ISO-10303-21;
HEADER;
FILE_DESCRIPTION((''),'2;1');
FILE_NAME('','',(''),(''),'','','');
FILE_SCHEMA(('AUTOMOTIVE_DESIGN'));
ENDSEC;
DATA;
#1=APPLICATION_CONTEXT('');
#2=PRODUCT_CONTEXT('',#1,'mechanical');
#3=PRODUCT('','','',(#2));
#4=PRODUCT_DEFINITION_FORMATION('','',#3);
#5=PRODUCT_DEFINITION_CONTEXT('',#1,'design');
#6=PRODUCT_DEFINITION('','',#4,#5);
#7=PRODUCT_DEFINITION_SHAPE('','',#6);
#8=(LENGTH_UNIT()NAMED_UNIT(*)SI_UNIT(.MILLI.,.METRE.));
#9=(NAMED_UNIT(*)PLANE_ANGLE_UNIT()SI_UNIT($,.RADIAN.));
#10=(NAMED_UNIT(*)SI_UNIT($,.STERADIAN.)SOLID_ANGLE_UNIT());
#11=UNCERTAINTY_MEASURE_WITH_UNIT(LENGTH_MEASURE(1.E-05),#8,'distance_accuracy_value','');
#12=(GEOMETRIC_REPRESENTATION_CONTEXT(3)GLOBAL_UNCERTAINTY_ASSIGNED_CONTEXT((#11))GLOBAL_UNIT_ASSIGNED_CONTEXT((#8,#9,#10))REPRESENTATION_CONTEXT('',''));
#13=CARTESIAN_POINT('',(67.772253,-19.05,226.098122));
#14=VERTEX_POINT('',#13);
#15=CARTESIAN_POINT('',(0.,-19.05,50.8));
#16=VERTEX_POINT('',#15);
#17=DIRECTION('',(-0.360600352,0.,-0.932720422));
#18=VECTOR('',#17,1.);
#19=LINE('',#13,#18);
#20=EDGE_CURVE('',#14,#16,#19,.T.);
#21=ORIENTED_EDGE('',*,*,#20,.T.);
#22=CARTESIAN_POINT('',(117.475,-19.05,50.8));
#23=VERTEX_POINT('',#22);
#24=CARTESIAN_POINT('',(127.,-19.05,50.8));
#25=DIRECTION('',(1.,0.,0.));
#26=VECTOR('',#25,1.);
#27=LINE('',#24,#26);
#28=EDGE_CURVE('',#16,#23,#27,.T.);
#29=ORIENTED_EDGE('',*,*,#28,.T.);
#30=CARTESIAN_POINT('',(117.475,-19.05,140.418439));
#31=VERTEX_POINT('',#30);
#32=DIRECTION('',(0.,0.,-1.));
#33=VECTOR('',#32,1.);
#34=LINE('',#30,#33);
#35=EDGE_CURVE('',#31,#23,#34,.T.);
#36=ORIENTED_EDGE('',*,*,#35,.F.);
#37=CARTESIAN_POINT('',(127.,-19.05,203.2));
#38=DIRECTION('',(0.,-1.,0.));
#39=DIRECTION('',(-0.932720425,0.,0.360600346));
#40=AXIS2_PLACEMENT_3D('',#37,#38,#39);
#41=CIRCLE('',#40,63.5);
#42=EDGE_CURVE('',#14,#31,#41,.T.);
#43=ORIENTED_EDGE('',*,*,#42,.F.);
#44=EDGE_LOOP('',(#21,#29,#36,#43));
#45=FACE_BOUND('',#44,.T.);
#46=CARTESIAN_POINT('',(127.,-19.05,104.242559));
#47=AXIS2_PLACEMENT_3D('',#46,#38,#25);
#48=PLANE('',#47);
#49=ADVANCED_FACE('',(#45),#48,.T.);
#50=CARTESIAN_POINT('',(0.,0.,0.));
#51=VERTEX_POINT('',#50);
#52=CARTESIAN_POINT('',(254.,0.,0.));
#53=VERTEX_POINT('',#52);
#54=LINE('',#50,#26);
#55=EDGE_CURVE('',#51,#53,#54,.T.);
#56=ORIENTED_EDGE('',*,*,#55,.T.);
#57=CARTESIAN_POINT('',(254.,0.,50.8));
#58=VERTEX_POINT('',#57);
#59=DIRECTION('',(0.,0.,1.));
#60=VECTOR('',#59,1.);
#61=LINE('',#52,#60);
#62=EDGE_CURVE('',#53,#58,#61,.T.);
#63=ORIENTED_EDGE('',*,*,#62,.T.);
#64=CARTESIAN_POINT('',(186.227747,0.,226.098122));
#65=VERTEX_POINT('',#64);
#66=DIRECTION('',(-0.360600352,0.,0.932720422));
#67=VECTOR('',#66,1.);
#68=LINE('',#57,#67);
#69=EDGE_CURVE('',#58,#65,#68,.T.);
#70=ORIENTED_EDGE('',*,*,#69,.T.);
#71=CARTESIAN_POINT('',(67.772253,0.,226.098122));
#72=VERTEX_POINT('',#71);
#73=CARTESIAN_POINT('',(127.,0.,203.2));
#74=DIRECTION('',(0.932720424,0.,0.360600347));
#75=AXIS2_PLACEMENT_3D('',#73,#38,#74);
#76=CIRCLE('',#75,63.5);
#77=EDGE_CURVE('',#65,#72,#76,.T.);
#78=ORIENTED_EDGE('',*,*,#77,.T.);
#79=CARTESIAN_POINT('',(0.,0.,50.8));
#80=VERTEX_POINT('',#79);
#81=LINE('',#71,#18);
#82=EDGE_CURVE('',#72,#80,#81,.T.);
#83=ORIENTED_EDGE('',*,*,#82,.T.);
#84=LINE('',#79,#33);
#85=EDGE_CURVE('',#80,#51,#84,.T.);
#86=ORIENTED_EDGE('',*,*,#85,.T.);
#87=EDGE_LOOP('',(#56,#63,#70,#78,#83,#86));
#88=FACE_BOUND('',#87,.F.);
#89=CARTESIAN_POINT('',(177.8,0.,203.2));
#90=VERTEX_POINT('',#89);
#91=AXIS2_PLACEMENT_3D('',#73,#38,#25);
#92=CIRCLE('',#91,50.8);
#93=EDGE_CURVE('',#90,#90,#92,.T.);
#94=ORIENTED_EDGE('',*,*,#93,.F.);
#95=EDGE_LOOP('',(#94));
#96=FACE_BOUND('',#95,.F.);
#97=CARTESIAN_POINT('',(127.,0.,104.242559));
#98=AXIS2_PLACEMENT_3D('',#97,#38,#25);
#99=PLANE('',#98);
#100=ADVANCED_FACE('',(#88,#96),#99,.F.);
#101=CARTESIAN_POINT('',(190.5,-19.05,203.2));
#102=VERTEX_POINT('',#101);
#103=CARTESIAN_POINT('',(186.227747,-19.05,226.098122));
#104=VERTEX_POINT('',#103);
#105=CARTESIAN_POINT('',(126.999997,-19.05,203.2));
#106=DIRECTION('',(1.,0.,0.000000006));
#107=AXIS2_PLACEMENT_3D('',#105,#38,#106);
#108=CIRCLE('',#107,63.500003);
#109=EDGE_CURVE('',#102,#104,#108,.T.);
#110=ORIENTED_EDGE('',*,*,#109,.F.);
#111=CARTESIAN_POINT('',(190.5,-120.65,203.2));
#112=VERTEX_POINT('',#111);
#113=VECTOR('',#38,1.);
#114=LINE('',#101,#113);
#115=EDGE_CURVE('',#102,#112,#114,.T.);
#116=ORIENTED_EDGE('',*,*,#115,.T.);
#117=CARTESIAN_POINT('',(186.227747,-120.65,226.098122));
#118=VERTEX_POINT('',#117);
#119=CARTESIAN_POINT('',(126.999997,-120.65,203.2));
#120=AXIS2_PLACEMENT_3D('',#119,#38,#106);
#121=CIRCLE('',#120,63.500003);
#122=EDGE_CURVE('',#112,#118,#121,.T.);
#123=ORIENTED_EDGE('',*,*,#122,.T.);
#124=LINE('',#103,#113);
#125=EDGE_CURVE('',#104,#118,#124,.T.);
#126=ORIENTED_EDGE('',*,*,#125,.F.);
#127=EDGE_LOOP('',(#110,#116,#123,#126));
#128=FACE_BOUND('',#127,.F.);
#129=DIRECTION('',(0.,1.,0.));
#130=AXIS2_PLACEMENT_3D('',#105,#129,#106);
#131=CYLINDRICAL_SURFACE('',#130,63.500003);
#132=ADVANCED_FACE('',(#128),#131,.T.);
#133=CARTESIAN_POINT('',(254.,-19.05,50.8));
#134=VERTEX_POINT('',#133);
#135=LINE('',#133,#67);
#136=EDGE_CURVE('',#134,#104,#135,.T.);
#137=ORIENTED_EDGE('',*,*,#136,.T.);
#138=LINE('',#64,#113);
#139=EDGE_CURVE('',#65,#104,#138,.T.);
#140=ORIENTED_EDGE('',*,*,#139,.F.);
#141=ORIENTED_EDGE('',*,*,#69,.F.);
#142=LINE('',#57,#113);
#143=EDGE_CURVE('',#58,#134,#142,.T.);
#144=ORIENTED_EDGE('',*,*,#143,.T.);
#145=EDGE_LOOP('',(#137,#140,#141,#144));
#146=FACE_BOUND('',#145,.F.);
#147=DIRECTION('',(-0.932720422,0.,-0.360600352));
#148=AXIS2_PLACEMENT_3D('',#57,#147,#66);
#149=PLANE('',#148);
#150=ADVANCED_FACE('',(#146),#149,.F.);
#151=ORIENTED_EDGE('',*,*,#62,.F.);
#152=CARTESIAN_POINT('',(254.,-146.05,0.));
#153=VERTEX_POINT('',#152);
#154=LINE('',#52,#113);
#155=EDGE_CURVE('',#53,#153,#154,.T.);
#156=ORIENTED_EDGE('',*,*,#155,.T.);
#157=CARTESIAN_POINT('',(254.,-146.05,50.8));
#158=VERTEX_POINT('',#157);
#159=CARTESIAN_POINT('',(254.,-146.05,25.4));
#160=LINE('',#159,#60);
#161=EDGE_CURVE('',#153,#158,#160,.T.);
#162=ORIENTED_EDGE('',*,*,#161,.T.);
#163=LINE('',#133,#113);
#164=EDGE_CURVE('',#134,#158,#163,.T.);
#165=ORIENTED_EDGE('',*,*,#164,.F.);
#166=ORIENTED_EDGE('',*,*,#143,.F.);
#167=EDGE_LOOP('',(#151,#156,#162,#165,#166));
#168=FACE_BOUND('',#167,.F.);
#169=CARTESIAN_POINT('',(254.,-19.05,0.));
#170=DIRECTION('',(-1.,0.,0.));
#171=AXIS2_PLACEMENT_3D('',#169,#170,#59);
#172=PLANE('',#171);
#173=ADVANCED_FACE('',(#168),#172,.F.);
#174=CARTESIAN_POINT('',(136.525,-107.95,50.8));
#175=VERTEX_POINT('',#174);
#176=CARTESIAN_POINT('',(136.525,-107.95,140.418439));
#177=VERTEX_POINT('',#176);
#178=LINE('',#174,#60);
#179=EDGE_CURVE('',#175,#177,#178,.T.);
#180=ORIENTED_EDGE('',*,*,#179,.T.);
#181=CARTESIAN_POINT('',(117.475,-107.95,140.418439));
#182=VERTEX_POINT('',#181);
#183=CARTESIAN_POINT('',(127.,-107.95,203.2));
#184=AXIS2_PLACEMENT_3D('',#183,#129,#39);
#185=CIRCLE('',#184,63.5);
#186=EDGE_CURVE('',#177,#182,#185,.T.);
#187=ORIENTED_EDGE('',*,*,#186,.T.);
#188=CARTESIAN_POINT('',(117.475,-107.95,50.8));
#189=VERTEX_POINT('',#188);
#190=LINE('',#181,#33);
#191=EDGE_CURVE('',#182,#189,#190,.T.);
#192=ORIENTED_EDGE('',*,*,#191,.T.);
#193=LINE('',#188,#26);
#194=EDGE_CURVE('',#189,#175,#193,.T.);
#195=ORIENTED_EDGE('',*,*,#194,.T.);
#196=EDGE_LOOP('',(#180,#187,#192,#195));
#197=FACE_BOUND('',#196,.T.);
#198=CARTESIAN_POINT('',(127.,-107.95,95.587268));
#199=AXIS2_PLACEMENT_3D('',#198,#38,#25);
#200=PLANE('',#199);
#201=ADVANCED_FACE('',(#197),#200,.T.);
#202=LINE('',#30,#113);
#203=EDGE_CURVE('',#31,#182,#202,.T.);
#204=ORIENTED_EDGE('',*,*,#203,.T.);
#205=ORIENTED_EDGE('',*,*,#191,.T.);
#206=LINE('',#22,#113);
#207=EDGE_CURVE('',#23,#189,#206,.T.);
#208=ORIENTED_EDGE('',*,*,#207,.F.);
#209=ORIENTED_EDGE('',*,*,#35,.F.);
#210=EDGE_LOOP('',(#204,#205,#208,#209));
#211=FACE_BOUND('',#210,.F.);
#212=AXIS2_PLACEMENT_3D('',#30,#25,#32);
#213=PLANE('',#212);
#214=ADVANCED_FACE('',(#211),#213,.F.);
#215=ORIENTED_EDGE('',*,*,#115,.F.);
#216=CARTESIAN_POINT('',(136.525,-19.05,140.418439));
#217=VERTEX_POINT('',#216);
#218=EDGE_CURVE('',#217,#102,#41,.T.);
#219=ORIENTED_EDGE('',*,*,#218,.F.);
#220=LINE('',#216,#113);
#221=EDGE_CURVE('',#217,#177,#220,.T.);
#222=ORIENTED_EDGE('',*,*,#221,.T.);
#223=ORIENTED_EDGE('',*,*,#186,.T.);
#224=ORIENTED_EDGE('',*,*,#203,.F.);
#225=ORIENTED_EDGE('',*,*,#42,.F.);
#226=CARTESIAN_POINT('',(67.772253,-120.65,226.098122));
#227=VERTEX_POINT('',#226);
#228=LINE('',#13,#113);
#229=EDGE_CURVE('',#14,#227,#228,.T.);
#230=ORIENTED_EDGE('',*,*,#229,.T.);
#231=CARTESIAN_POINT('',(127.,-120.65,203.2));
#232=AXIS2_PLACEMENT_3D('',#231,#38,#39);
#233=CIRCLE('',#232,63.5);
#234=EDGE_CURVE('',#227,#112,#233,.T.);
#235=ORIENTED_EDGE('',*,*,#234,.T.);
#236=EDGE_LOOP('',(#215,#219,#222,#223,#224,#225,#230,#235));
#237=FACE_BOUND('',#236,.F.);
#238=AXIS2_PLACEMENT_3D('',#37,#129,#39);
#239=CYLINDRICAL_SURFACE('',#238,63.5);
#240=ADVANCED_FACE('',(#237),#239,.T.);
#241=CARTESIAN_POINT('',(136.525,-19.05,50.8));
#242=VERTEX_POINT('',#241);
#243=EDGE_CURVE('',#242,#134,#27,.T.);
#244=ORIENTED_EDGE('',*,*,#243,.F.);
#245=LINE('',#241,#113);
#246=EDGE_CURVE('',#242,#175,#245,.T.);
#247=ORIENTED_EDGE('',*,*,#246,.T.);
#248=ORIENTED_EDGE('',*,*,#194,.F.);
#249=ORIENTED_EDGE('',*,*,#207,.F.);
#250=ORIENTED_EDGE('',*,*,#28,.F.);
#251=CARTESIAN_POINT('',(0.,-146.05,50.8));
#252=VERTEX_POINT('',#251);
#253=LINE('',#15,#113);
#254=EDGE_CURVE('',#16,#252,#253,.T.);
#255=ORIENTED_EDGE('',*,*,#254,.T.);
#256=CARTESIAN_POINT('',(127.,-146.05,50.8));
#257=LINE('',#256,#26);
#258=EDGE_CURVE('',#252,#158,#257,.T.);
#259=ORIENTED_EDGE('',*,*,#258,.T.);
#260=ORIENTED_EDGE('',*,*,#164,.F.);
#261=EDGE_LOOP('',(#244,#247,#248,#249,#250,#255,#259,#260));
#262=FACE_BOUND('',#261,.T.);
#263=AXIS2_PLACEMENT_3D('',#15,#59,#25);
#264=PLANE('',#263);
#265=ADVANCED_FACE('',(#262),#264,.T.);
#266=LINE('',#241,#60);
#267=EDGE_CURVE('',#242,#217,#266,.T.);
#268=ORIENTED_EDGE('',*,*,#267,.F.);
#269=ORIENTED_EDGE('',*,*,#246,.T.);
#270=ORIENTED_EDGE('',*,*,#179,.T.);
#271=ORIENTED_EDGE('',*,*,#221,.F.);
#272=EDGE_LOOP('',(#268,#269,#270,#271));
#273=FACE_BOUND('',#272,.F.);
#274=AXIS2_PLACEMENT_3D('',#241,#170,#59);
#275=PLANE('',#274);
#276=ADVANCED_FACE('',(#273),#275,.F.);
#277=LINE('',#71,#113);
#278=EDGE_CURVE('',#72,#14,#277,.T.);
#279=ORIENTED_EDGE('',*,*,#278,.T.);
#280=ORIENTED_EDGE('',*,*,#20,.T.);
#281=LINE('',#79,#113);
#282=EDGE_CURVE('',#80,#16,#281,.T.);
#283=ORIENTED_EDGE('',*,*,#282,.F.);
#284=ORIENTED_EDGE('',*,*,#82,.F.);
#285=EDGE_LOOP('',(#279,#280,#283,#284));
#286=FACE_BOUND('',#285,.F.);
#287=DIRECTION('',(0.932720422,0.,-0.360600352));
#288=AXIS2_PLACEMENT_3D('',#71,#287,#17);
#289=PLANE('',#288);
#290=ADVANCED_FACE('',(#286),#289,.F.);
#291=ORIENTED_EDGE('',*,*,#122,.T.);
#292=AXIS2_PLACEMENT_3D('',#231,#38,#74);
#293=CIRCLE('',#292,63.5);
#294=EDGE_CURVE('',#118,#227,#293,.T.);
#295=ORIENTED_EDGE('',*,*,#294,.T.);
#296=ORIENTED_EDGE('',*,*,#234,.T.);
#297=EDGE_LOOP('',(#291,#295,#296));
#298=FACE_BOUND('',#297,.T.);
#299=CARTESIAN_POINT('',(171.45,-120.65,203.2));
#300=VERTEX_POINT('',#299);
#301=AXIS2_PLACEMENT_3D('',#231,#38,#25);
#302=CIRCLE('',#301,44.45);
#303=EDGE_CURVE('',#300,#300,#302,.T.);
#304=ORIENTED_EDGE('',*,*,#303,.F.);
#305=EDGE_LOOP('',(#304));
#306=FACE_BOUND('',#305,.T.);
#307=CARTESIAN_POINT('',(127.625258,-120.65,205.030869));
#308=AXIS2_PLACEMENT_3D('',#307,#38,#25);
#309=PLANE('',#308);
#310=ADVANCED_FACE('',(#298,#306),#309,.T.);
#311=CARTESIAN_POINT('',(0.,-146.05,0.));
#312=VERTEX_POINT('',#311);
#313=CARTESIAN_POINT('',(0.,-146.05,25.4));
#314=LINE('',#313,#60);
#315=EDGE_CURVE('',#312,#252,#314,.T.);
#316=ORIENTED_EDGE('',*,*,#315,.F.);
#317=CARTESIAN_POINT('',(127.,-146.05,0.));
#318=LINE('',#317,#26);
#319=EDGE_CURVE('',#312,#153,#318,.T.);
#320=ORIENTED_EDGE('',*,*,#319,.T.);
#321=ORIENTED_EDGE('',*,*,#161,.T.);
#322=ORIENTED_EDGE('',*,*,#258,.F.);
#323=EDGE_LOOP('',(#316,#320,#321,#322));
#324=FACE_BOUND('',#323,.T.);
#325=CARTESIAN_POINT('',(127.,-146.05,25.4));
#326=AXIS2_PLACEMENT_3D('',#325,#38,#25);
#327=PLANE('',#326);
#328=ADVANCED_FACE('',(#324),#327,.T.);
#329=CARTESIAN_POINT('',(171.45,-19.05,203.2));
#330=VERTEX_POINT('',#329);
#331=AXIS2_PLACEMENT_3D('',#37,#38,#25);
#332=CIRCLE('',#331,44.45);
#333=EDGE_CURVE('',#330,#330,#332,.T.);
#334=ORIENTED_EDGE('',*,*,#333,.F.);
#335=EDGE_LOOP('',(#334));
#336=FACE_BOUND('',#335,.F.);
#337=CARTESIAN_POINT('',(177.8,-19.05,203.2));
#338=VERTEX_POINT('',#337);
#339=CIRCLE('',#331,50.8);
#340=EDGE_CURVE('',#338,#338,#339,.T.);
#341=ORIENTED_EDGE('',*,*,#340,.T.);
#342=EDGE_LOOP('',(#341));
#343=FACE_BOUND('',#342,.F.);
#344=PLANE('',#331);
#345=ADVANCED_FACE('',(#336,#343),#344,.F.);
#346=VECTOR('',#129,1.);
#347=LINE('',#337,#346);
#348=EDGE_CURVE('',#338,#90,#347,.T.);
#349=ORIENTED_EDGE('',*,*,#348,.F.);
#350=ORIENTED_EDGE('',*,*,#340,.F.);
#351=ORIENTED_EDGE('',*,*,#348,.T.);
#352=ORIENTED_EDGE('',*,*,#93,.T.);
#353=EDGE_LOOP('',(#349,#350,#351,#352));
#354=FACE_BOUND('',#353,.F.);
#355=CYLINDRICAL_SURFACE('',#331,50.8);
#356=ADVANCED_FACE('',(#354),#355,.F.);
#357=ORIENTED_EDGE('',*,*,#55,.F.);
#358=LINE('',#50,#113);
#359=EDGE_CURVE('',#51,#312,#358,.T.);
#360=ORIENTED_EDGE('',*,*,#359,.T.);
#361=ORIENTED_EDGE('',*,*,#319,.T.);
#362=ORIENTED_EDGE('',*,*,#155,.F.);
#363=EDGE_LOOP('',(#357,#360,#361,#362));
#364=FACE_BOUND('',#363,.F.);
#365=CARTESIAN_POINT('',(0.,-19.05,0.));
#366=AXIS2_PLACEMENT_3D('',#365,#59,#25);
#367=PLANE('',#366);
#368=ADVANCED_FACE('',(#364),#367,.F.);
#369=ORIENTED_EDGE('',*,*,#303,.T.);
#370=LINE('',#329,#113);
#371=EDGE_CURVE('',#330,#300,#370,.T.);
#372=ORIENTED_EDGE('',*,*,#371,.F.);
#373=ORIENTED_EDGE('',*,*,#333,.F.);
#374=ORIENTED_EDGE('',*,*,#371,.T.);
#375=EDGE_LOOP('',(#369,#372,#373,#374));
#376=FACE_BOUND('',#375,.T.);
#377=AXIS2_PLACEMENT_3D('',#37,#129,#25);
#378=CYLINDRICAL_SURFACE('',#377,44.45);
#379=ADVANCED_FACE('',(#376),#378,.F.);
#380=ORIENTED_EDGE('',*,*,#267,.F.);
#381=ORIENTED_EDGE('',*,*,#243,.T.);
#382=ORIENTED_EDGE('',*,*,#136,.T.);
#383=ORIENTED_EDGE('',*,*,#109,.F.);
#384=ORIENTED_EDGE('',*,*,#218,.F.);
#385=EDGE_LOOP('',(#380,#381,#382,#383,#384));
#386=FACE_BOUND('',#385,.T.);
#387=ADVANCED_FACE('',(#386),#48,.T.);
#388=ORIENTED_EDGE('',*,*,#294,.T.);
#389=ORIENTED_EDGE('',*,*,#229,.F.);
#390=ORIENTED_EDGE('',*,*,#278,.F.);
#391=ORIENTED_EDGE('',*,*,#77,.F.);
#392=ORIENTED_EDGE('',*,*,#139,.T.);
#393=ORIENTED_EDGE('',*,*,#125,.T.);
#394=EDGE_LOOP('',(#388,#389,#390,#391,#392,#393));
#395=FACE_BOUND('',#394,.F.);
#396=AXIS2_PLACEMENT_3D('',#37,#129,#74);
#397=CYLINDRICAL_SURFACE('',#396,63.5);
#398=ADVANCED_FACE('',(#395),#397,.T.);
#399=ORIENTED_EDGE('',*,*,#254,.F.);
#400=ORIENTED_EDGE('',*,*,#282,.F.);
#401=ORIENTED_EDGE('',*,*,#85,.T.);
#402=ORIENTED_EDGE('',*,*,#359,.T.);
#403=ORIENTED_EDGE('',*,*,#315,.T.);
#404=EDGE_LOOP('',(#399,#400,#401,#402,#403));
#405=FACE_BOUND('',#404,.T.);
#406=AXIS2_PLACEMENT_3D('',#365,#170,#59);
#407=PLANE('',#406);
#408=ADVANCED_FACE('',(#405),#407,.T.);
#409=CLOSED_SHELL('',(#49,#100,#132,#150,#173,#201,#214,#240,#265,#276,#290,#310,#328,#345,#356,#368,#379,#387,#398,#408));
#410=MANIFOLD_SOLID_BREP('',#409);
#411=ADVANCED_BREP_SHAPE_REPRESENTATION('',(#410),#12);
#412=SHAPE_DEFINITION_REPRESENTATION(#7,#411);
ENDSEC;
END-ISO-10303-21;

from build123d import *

# Parameters (mm, degrees)
F1_DEPTH = 19.05
F2_R     = 44.45
F3_DEPTH = 101.6
F4_W     = 254
F4_H     = 50.8
F5_DEPTH = 127
F7_DEPTH = 88.9
F8_R     = 50.8
F9_DEPTH = 19.051


with BuildPart() as f1:
    # F0 (on Front) → F1 (new body)
    with BuildSketch(Plane.XZ):
        with BuildLine():
            Line((0, 50.8), (0, 0))
            Line((0, 0), (254, 0))
            Line((254, 0), (254, 50.8))
            Line((254, 50.8), (186.227747, 226.098122))
            ThreePointArc((186.227747, 226.098122), (127, 266.7), (67.772253, 226.098122))
            Line((67.772253, 226.098122), (0, 50.8))
        make_face()
    extrude(amount=F1_DEPTH)

    # F2 (on face) → F3 (join)
    with BuildSketch(Plane.XZ.offset(19.05)):
        with BuildLine():
            ThreePointArc((67.772253, 226.098122), (115.353368, 140.7772), (190.5, 203.2))
            ThreePointArc((190.5, 203.2), (189.4228, 214.846632), (186.227747, 226.098122))
            ThreePointArc((186.227747, 226.098122), (127, 266.7), (67.772253, 226.098122))
        make_face()
        with Locations((127, 203.2)):
            Circle(F2_R, mode=Mode.SUBTRACT)
    extrude(amount=F3_DEPTH)

    # F4 (on face) → F5 (join)
    with BuildSketch(Plane.XZ.offset(19.05)):
        with Locations((127, 25.4)):
            Rectangle(F4_W, F4_H)
    extrude(amount=F5_DEPTH)

    # F6 (on face) → F7 (join)
    with BuildSketch(Plane.XZ.offset(19.05)):
        with BuildLine():
            Line((117.475, 140.418439), (117.475, 50.8))
            Line((117.475, 50.8), (136.525, 50.8))
            Line((136.525, 50.8), (136.525, 140.418439))
            ThreePointArc((136.525, 140.418439), (127, 139.820783), (117.475, 140.418439))
        make_face()
    extrude(amount=F7_DEPTH)

    # F8 (on face) → F9 (cut, through all)
    with BuildSketch(Plane.XZ.offset(19.05)):
        with Locations((127, 203.2)):
            Circle(F8_R)
    extrude(amount=-F9_DEPTH, mode=Mode.SUBTRACT)


solid = f1.part
